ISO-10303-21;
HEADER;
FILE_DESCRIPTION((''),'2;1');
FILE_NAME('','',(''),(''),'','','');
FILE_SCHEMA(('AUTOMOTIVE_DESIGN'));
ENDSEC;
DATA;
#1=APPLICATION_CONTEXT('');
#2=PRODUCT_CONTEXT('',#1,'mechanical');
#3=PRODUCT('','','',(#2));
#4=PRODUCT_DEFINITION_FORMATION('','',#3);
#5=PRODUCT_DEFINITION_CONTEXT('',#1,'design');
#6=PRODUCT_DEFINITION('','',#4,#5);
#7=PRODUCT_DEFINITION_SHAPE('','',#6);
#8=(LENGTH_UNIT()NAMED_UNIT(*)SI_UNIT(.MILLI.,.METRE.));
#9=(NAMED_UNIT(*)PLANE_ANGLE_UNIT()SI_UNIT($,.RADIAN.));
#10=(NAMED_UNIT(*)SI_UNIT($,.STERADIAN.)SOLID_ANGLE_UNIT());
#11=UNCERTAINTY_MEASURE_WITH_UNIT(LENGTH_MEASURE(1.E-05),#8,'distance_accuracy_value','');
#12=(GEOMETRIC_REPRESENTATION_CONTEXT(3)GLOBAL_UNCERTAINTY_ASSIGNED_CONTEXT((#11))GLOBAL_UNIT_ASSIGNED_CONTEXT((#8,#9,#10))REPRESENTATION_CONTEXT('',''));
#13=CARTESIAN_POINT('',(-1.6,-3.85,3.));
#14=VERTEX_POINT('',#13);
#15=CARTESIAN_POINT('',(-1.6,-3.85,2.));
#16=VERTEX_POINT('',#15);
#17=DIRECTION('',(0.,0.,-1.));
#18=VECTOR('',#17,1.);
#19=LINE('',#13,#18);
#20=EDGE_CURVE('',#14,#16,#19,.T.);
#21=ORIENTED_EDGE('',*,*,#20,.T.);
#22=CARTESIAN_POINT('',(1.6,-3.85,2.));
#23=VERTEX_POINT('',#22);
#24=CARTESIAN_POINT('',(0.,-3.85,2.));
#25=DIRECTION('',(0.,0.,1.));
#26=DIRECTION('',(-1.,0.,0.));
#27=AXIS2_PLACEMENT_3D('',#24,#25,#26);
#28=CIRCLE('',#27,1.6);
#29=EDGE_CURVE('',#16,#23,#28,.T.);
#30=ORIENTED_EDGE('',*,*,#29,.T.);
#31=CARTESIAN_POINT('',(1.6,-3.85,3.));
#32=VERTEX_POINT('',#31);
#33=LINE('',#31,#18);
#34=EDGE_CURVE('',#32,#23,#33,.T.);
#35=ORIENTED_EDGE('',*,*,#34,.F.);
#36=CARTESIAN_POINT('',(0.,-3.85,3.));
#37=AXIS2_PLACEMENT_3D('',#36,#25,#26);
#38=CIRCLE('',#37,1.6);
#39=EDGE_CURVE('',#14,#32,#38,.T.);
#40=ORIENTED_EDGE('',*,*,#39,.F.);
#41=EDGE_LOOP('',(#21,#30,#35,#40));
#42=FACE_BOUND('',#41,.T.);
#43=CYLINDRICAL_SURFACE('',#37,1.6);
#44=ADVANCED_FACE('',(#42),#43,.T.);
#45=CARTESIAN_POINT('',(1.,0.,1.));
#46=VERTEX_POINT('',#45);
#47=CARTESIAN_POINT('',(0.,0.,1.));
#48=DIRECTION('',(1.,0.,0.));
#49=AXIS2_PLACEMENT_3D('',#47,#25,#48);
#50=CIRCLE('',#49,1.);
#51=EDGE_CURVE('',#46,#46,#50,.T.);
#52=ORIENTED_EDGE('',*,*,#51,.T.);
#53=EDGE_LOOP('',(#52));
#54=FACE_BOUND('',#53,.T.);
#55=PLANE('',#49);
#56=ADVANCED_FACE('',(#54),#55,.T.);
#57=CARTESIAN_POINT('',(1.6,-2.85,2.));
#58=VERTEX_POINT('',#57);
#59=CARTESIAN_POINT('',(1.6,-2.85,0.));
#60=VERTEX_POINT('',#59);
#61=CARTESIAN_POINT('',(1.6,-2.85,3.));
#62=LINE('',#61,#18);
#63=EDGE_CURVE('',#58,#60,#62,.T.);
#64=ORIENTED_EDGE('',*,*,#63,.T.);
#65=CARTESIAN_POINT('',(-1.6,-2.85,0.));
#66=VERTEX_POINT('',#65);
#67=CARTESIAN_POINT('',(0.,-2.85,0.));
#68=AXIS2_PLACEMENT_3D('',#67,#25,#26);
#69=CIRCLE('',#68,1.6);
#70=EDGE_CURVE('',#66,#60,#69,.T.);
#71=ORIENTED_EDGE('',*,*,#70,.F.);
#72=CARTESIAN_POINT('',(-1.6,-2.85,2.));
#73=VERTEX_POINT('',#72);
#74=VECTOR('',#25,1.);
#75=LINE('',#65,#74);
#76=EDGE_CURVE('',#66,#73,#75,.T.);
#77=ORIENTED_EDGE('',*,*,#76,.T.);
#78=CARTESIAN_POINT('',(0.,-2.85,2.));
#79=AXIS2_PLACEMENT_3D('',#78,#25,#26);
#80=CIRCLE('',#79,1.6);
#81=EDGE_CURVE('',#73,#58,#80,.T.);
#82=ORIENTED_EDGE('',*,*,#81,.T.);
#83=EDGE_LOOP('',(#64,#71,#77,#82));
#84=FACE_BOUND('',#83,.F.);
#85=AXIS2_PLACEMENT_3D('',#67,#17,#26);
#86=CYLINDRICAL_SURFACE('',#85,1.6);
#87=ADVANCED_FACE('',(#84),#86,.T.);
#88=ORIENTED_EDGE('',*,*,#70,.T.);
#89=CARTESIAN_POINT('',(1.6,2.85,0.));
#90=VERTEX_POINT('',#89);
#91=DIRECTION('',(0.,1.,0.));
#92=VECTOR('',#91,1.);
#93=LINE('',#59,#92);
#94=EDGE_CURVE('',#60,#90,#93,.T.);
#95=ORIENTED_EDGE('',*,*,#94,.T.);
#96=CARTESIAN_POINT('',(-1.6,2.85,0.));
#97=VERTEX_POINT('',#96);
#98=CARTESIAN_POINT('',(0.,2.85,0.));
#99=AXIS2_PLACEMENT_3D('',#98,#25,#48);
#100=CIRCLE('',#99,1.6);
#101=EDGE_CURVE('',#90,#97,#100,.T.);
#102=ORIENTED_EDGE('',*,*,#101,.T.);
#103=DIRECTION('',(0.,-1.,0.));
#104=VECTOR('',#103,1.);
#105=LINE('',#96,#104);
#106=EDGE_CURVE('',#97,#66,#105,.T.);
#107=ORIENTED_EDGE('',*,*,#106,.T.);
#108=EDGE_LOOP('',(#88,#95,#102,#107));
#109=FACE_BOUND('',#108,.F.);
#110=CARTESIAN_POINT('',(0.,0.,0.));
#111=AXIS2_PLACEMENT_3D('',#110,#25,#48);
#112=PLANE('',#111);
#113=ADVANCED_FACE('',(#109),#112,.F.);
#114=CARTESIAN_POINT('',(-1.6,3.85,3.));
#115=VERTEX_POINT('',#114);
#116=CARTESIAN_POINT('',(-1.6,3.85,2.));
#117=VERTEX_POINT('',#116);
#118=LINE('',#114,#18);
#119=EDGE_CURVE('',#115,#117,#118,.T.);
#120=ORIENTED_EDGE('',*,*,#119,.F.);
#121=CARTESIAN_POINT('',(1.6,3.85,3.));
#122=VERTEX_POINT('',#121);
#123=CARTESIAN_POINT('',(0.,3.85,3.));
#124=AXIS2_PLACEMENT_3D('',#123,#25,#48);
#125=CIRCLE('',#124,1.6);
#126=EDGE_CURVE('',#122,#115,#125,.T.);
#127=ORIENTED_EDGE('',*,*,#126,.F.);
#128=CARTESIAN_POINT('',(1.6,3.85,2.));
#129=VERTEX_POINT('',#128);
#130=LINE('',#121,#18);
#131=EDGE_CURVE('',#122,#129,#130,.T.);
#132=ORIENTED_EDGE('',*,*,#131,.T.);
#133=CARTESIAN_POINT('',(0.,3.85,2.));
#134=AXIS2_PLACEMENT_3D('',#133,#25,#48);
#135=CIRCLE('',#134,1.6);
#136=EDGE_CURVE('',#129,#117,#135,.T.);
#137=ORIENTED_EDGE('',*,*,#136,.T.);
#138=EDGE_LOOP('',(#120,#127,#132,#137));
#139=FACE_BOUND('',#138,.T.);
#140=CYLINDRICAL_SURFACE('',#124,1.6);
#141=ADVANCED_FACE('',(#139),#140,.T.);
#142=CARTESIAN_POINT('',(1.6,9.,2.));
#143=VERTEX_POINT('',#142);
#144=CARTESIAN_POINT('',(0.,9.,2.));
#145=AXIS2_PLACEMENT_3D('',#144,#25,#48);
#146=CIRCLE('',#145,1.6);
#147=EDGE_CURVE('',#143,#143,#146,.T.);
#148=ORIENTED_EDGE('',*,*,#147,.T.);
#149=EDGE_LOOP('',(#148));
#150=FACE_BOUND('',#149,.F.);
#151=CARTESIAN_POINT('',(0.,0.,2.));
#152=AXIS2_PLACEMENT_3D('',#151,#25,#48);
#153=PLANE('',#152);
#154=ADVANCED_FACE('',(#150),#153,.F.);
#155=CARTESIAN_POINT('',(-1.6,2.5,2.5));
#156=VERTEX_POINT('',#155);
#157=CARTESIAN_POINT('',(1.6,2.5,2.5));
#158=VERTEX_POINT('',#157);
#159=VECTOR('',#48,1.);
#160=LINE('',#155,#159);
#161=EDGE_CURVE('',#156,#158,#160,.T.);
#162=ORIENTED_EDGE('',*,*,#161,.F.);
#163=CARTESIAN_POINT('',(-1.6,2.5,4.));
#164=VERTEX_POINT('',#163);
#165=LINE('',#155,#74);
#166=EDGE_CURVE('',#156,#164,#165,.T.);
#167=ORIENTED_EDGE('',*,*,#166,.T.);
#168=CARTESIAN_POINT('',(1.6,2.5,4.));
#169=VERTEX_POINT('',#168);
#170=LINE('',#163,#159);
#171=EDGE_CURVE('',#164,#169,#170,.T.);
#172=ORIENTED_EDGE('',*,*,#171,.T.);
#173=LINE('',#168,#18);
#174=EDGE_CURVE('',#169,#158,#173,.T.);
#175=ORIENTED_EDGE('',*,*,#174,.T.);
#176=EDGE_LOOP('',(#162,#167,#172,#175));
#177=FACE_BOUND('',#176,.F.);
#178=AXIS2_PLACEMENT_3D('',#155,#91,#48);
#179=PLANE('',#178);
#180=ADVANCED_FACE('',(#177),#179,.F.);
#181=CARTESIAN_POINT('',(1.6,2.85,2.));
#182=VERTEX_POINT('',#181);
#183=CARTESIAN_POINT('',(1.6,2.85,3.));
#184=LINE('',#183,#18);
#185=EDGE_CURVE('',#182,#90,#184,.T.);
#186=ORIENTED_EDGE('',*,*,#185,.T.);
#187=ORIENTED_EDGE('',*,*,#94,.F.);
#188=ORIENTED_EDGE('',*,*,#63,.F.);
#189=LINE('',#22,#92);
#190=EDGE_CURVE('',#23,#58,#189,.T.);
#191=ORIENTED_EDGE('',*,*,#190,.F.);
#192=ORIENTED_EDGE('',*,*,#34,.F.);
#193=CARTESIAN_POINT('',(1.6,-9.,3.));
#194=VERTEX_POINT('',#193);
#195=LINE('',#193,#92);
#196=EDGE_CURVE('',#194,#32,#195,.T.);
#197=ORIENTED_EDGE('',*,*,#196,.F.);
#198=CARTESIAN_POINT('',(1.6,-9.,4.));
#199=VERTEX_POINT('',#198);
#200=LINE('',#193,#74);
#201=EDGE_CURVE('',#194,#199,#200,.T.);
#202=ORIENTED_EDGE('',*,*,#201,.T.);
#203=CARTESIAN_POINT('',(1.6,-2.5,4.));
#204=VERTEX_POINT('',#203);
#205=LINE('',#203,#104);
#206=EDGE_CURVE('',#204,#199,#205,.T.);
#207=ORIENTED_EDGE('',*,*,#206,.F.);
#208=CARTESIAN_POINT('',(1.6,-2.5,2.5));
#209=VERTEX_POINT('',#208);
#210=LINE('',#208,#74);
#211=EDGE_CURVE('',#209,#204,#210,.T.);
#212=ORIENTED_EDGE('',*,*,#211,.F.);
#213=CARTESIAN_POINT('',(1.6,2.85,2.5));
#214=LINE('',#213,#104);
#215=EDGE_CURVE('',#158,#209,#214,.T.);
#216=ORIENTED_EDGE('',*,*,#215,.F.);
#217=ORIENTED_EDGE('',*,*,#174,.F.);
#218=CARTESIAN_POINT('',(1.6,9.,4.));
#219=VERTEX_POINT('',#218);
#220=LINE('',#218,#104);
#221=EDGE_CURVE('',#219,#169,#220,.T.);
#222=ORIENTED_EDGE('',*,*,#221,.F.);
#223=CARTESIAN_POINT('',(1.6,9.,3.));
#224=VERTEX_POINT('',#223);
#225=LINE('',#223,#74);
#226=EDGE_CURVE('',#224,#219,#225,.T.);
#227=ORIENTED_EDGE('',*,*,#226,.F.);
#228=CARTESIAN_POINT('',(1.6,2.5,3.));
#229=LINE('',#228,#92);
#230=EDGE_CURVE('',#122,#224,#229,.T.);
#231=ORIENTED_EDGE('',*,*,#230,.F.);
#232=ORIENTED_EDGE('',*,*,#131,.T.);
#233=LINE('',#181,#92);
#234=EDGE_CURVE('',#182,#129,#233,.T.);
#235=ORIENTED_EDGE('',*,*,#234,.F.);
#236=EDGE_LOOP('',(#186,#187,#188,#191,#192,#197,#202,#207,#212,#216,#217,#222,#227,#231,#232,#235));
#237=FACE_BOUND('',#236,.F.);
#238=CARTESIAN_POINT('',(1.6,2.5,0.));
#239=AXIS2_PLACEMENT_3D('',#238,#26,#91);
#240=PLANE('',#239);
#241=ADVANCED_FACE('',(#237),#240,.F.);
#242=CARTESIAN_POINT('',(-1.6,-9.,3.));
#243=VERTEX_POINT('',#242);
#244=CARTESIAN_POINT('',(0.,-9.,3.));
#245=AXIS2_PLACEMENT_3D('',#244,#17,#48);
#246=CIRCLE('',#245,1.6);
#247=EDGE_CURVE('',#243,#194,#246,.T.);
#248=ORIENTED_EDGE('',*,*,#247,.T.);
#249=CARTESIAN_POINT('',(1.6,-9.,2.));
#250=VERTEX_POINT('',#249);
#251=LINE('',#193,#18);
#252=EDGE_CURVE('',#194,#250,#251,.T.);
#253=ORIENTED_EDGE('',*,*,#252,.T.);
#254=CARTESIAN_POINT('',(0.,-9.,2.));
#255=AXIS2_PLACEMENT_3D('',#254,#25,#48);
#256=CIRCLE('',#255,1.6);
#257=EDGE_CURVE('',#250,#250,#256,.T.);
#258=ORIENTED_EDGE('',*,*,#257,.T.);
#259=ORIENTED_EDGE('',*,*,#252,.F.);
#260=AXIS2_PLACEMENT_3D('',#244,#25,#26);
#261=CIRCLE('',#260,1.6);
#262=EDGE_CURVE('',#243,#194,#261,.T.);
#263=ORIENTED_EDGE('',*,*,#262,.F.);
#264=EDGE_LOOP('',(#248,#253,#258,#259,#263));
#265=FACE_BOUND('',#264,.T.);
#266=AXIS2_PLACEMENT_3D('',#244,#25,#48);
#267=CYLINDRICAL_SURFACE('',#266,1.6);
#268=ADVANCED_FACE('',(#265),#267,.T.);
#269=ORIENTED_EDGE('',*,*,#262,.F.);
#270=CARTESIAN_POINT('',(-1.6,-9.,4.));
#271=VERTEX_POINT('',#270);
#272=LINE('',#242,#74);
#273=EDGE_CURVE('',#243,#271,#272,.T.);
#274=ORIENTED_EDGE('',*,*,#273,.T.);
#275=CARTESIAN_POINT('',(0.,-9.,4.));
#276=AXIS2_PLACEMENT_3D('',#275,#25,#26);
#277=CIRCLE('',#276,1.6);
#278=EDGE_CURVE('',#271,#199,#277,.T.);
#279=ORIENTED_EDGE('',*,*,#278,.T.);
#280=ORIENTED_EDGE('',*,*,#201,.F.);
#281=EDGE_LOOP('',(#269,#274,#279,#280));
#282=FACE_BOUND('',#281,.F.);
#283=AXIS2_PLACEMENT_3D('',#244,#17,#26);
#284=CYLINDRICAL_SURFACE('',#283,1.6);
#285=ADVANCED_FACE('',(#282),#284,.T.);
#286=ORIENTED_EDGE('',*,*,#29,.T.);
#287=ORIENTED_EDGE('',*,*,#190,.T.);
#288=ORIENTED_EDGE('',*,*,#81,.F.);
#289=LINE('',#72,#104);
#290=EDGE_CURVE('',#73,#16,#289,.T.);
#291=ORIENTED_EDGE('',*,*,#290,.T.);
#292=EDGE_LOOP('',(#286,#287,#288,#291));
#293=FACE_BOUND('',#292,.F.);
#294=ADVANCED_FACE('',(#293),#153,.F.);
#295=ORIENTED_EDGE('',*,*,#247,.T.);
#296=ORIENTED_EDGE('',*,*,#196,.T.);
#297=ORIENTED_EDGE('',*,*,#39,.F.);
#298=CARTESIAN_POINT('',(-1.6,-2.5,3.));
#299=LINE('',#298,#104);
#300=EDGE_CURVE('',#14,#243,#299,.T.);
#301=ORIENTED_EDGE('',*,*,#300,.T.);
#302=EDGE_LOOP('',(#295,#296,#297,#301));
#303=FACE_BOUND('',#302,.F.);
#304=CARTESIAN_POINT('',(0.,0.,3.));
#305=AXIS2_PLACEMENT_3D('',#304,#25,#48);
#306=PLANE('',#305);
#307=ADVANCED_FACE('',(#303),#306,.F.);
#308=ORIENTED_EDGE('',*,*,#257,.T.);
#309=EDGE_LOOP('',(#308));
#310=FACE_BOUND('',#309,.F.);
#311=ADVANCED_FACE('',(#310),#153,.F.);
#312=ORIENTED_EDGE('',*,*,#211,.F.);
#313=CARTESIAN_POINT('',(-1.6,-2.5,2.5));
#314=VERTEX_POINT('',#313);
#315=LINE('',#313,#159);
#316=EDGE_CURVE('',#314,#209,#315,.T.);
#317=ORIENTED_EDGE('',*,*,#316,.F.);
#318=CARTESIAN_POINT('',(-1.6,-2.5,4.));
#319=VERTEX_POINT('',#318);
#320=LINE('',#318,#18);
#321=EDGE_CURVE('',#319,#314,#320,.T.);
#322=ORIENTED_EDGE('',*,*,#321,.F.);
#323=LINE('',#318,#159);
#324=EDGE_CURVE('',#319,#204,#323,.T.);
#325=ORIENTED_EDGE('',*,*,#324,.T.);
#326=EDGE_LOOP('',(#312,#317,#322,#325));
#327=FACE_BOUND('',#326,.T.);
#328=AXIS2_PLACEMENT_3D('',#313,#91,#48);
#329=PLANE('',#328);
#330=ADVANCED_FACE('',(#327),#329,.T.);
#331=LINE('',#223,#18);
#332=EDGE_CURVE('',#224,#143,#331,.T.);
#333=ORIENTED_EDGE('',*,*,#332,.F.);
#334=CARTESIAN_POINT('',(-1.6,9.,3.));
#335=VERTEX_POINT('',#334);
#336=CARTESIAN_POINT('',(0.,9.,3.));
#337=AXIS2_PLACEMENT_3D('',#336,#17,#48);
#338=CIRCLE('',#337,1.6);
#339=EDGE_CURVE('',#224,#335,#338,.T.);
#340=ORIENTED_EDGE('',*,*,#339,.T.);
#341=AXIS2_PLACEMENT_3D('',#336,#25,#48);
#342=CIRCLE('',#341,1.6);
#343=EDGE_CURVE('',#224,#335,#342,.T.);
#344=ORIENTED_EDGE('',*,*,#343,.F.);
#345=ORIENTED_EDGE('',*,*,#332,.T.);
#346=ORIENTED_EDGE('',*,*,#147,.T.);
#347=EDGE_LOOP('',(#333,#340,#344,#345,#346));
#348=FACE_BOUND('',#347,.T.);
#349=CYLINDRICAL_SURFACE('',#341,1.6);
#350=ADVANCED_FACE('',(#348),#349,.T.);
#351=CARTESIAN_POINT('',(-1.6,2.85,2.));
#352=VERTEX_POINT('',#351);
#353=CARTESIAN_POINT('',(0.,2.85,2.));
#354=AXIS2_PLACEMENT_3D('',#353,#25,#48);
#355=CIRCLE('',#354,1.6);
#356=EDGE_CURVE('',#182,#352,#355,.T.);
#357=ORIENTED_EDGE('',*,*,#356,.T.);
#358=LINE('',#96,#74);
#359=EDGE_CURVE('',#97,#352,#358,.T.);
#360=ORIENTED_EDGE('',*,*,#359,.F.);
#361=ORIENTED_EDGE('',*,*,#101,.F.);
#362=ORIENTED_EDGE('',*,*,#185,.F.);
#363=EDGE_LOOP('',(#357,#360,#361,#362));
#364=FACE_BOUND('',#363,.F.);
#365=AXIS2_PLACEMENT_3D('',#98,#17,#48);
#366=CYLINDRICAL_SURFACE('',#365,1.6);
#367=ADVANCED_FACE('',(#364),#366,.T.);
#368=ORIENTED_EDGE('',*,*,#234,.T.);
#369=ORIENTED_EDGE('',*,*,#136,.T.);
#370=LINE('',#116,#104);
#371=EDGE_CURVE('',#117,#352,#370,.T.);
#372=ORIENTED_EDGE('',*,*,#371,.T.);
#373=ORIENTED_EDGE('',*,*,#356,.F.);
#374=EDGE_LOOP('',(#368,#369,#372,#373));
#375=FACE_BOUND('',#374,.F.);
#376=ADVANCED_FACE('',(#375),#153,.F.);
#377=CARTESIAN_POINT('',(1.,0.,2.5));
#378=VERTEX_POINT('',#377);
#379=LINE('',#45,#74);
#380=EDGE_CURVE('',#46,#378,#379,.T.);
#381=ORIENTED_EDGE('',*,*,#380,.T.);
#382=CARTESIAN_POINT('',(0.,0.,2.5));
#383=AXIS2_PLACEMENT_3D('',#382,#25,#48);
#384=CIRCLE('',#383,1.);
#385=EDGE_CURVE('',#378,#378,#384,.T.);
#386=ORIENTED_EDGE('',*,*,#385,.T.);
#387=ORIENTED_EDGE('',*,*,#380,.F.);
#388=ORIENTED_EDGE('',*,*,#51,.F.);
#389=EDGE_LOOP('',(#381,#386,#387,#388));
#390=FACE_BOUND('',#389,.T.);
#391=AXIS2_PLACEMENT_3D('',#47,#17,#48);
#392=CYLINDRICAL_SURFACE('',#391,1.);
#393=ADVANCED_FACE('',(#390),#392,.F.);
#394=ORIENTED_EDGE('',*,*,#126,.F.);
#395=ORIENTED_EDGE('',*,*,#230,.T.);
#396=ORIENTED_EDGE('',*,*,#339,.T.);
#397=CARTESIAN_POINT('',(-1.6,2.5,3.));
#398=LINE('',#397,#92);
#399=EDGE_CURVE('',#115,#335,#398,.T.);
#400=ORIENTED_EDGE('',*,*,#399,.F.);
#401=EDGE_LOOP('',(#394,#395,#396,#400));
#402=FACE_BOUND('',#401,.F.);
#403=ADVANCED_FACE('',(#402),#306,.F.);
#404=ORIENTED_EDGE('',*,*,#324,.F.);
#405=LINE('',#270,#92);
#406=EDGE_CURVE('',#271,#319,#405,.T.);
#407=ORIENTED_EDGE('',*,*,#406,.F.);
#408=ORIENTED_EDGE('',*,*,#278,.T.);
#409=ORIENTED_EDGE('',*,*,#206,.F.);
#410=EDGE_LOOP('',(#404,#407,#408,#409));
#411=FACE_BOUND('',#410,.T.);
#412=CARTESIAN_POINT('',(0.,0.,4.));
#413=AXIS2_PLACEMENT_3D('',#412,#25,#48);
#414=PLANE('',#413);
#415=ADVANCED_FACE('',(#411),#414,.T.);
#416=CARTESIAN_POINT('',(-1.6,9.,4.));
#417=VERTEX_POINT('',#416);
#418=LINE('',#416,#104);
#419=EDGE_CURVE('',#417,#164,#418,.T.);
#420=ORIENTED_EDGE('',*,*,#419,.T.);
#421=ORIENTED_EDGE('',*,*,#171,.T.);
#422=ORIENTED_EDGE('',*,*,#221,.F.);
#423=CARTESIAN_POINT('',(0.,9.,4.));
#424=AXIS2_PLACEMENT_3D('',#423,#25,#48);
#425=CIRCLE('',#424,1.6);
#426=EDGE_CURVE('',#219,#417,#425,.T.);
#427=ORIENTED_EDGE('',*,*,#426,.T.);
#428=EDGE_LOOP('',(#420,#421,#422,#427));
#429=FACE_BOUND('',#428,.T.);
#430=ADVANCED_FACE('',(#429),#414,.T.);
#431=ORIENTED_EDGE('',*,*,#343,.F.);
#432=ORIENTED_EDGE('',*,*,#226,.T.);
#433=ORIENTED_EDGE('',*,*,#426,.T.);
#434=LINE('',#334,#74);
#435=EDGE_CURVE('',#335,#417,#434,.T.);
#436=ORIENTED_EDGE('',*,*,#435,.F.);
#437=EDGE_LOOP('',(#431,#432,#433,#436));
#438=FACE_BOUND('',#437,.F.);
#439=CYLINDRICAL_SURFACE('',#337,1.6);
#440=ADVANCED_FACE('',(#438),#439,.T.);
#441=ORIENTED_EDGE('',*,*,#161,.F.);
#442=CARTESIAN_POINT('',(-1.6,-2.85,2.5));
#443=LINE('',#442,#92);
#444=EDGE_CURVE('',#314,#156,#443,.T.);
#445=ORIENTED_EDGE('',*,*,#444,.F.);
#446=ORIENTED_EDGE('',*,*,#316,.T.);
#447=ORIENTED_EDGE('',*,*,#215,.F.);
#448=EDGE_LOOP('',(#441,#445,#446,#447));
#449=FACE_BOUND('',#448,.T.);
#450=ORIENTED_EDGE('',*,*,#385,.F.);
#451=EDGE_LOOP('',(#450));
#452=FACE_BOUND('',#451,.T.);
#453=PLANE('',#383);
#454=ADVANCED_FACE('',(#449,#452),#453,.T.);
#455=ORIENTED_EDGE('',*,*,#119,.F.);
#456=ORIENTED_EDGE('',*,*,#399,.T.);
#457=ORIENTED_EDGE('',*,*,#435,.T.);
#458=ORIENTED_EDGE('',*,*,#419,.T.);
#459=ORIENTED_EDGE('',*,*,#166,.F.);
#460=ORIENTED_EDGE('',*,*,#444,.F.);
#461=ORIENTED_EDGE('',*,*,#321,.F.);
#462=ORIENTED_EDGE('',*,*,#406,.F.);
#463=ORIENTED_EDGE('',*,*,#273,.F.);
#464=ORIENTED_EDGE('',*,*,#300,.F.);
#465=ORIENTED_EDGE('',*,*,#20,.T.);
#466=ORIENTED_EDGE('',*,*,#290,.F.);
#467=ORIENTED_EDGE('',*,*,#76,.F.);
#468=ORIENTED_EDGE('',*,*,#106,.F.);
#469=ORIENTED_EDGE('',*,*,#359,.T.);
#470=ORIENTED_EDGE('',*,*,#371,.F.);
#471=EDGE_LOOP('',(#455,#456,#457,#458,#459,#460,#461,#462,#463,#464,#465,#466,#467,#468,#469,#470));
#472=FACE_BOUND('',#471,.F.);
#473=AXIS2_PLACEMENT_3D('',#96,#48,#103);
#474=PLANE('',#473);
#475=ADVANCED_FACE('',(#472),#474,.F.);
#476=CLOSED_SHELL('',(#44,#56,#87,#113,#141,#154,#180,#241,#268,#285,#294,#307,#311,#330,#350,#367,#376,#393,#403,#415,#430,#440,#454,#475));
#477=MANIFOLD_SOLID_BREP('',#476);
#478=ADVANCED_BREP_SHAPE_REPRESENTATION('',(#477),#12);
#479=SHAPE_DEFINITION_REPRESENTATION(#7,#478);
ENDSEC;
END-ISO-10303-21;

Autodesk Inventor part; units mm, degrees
ref_plane "YZ Plane" through (0, 0, 0) normal (1, 0, 0) x (0, 1, 0)
ref_plane "XZ Plane" through (0, 0, 0) normal (0, 1, 0) x (-1, 0, 0)
ref_plane "XY Plane" through (0, 0, 0) normal (0, 0, 1) x (1, 0, 0)
sketch "Sketch1" plane through (0, 0, 0) normal (0, 0, 1) x (1, 0, 0)
  line L0 (-2.31, 0) -> (2.31, 0) construction
  line L1 (0, 14.84) -> (0, -14.84) construction
  line L2 (0, 2.85) -> (0, -2.85) construction
  line L3 (-1.6, 2.85) -> (-1.6, -2.85)
  line L4 (1.6, -2.85) -> (1.6, 2.85)
  arc A0 (1.6, 2.85) -> (-1.6, 2.85) centre (0, 2.85) ccw
  arc A1 (-1.6, -2.85) -> (1.6, -2.85) centre (0, -2.85) ccw
  circle A2 centre (0, 0) radius 1
  line L5 (-1.6, 2.85) -> (-1.6, 9)
  arc A3 (1.6, 9) -> (-1.6, 9) centre (0, 9) ccw
  line L6 (1.6, 9) -> (1.6, 2.85)
  line L7 (-1.6, 2.85) -> (-1.6, 3.5)
  line L8 (1.6, 2.85) -> (1.6, 3.5)
  arc A4 (-1.6, 9) -> (1.6, 9) centre (0, 9) ccw
  line L9 (-1.6, -2.85) -> (-1.6, -9)
  arc A5 (-1.6, -9) -> (1.6, -9) centre (0, -9) ccw
  line L10 (1.6, -9) -> (1.6, -2.85)
  line L11 (-1.6, -2.85) -> (-1.6, -3.5)
  line L12 (1.6, -2.85) -> (1.6, -3.5)
  arc A6 (1.6, -9) -> (-1.6, -9) centre (0, -9) ccw
  line L13 (-1.6, 2.5) -> (1.6, 2.5)
  line L14 (-1.6, -2.5) -> (1.6, -2.5)
  arc A7 (-1.6, -3.85) -> (1.6, -3.85) centre (0, -3.85) ccw
  arc A8 (1.6, 3.85) -> (-1.6, 3.85) centre (0, 3.85) ccw
  point P0 (0, 4.45)
  point P1 (0, -4.45)
  point P2 (1.65, -3)
  point P3 (1.6008, -3)
  point P4 (-1.6008, -3)
  point P5 (-1.65, -3)
  point P6 (1.6, -2.85)
  point P7 (-1.6, -2.85)
  point P8 (-1.65, 3)
  point P9 (-1.6008, 3)
  point P10 (1.6008, 3)
  point P11 (1.65, 3)
  dimension "d2" = 2
  dimension "d16" = 2.5
  dimension "d17" = 8.9
  dimension "d18" = 3.2
  dimension "d22" = 1
extrude "Extrusion1" add sketch "Sketch1" along normal blind 1 contours A0 L4 L13 L3 | L13 L4 L14 L3 | L14 L4 A1 L3 | A2
extrude "Extrusion2" add sketch "Sketch1" along normal blind 1.5 from surface at 1 contours A0 L4 L13 L3 | L13 L4 L14 L3 | L14 L4 A1 L3
extrude "Extrusion3" add sketch "Sketch1" along normal blind 0.5 from surface at 2.5 contours A0 L4 L13 L3 | L14 L4 A1 L3
extrude "Extrusion4" add sketch "Sketch1" along normal blind 1 from surface at 3 contours A0 L4 L13 L3 | L5 A8 L6 A0 | L14 L4 A1 L3 | L5 A4 L6 A8 | A1 L10 A7 L9 | A3 A4 | A7 L10 A6 L9 | A6 A5
extrude "Extrusion5" add sketch "Sketch1" against normal blind 1 from surface at 3 contours A3 A4 | A6 A5
extrude "Extrusion6" add sketch "Sketch1" against normal blind 1 from surface at 3 contours L5 A8 L6 A0 | A1 L10 A7 L9
properties part number "Button Cap"
